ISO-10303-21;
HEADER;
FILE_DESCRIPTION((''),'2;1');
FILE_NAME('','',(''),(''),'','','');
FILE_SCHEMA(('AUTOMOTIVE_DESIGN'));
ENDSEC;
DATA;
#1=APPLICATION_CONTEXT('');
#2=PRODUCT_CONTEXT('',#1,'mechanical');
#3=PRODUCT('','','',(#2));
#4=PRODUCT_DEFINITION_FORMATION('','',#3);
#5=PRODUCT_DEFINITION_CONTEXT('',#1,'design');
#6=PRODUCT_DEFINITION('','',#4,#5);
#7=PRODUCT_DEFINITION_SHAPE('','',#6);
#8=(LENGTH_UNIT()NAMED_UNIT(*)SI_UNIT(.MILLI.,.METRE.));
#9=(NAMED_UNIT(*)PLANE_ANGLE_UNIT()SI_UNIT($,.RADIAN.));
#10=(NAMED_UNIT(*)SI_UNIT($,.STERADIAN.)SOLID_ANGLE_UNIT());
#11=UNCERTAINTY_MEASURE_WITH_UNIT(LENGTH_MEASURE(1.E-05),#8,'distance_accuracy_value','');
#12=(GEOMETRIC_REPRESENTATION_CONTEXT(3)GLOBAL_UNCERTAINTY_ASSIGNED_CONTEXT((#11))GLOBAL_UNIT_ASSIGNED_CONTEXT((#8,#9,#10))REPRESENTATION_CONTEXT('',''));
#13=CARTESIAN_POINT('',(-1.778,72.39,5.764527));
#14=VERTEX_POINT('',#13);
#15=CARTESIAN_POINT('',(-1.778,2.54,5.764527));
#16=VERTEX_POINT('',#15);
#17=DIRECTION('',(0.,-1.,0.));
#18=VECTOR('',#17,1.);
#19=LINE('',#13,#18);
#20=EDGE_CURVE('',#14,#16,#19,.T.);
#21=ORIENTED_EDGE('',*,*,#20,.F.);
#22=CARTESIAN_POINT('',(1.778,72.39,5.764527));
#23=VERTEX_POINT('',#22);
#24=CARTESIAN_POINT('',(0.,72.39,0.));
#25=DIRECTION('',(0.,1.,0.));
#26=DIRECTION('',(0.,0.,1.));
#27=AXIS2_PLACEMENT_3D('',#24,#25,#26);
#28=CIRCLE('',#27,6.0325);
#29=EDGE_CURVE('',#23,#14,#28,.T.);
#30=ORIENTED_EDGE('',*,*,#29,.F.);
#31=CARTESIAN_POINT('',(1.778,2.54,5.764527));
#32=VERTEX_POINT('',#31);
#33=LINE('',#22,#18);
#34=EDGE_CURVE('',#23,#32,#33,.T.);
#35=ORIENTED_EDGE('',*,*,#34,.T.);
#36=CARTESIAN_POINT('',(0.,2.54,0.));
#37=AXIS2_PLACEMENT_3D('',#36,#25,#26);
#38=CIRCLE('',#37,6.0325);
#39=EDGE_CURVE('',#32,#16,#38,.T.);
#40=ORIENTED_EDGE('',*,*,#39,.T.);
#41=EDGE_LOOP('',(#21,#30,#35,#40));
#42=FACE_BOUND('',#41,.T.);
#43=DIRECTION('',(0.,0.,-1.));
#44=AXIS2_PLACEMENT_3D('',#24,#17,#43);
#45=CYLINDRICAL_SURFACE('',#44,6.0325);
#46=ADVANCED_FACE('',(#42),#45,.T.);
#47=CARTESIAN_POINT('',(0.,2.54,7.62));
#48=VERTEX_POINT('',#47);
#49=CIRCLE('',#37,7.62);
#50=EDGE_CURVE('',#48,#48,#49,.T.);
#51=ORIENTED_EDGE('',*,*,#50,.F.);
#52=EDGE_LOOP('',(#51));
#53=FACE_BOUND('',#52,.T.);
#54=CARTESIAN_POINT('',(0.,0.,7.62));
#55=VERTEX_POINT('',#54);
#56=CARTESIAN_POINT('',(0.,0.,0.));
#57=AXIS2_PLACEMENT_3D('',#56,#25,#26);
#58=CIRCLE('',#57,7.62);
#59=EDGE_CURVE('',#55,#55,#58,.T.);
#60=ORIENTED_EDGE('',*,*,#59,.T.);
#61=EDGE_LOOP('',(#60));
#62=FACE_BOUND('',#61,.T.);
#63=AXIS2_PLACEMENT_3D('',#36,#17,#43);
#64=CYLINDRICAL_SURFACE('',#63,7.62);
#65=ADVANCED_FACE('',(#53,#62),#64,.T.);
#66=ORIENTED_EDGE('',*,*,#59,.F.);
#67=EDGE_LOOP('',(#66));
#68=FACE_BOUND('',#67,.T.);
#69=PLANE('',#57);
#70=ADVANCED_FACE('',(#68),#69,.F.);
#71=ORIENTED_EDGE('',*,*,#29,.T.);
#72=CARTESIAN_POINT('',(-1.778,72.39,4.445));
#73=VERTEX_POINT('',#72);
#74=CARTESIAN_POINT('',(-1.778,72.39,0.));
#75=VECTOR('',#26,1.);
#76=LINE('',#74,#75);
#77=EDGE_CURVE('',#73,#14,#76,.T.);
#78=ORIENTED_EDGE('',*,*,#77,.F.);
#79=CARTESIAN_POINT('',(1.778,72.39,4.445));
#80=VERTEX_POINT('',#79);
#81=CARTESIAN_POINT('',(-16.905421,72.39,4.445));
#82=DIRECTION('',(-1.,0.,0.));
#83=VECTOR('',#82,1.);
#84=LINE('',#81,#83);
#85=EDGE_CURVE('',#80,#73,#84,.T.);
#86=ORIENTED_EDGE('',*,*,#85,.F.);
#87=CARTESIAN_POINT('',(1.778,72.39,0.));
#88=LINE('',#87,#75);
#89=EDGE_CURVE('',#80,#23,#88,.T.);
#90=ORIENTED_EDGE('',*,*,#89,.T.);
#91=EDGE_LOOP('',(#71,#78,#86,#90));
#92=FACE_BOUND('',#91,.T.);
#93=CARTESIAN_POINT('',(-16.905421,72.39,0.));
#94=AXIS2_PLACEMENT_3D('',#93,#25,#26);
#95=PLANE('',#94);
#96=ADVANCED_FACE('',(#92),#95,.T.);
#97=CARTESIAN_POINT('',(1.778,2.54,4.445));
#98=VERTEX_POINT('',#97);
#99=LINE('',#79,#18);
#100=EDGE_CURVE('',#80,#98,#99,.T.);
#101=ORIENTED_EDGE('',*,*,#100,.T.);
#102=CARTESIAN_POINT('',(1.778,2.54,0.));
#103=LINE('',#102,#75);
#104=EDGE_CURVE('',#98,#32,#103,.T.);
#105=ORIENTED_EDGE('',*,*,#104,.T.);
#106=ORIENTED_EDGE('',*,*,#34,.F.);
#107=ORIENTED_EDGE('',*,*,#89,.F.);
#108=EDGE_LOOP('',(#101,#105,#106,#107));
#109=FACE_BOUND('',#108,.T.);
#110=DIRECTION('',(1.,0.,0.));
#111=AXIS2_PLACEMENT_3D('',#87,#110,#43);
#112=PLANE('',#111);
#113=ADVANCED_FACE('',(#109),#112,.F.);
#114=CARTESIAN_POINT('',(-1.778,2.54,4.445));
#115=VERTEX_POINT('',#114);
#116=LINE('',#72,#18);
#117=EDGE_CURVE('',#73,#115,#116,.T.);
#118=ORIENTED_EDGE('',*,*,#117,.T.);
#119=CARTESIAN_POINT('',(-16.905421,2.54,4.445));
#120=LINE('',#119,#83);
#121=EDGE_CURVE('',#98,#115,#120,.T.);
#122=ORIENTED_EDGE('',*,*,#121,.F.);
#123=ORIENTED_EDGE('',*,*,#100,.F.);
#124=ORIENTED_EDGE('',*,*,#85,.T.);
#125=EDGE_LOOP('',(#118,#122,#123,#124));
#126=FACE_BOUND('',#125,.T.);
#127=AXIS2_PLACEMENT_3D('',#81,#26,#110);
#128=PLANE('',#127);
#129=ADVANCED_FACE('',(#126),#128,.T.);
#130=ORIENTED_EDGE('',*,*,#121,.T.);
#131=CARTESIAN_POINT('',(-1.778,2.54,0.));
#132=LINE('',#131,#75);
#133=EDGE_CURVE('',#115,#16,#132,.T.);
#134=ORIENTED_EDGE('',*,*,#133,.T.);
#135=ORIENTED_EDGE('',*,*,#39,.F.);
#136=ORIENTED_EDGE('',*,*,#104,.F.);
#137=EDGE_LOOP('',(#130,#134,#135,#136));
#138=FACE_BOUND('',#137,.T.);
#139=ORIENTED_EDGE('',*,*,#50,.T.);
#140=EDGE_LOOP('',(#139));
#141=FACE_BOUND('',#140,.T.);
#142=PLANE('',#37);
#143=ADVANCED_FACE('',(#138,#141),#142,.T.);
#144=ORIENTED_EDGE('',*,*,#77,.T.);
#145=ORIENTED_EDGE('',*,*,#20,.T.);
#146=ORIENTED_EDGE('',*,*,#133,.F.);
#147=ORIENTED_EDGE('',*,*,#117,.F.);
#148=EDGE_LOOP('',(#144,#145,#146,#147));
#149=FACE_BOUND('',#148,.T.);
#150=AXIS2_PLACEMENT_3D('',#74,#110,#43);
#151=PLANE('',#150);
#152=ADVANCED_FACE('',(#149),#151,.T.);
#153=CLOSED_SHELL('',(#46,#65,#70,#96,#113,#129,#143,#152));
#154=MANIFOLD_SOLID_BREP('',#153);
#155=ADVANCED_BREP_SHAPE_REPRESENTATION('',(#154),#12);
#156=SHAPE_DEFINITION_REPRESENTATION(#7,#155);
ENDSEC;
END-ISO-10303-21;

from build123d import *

# Parameters (mm, degrees)
SKETCH1_R           = 7.62
BOSS_EXTRUDE1_DEPTH = 2.54
BOSS_EXTRUDE2_DEPTH = 69.85


with BuildPart() as part:
    # Sketch1 → Boss-Extrude1 (new body)
    with BuildSketch(Plane(origin=(0, 0, 0), x_dir=(1, 0, 0), z_dir=(0, 1, 0))):
        with Locations(Location((0, 0, 0), (0, 0, 270))):
            Circle(SKETCH1_R)
    extrude(amount=BOSS_EXTRUDE1_DEPTH)

    # Sketch2 → Boss-Extrude2 (add)
    with BuildSketch(Plane(origin=(0, 2.54, 0), x_dir=(-1, 0, 0), z_dir=(0, 1, 0))):
        with BuildLine():
            Line((1.778, 4.445), (-1.778, 4.445))
            Line((-1.778, 4.445), (-1.778, 5.764527062))
            ThreePointArc((-1.778, 5.764527062), (-3.582266828, -4.853701745), (6.0325, 0))
            ThreePointArc((6.0325, 0), (4.853701745, 3.582266828), (1.778, 5.764527062))
            Line((1.778, 5.764527062), (1.778, 4.445))
        make_face()
    extrude(amount=BOSS_EXTRUDE2_DEPTH)


solid = part.part
